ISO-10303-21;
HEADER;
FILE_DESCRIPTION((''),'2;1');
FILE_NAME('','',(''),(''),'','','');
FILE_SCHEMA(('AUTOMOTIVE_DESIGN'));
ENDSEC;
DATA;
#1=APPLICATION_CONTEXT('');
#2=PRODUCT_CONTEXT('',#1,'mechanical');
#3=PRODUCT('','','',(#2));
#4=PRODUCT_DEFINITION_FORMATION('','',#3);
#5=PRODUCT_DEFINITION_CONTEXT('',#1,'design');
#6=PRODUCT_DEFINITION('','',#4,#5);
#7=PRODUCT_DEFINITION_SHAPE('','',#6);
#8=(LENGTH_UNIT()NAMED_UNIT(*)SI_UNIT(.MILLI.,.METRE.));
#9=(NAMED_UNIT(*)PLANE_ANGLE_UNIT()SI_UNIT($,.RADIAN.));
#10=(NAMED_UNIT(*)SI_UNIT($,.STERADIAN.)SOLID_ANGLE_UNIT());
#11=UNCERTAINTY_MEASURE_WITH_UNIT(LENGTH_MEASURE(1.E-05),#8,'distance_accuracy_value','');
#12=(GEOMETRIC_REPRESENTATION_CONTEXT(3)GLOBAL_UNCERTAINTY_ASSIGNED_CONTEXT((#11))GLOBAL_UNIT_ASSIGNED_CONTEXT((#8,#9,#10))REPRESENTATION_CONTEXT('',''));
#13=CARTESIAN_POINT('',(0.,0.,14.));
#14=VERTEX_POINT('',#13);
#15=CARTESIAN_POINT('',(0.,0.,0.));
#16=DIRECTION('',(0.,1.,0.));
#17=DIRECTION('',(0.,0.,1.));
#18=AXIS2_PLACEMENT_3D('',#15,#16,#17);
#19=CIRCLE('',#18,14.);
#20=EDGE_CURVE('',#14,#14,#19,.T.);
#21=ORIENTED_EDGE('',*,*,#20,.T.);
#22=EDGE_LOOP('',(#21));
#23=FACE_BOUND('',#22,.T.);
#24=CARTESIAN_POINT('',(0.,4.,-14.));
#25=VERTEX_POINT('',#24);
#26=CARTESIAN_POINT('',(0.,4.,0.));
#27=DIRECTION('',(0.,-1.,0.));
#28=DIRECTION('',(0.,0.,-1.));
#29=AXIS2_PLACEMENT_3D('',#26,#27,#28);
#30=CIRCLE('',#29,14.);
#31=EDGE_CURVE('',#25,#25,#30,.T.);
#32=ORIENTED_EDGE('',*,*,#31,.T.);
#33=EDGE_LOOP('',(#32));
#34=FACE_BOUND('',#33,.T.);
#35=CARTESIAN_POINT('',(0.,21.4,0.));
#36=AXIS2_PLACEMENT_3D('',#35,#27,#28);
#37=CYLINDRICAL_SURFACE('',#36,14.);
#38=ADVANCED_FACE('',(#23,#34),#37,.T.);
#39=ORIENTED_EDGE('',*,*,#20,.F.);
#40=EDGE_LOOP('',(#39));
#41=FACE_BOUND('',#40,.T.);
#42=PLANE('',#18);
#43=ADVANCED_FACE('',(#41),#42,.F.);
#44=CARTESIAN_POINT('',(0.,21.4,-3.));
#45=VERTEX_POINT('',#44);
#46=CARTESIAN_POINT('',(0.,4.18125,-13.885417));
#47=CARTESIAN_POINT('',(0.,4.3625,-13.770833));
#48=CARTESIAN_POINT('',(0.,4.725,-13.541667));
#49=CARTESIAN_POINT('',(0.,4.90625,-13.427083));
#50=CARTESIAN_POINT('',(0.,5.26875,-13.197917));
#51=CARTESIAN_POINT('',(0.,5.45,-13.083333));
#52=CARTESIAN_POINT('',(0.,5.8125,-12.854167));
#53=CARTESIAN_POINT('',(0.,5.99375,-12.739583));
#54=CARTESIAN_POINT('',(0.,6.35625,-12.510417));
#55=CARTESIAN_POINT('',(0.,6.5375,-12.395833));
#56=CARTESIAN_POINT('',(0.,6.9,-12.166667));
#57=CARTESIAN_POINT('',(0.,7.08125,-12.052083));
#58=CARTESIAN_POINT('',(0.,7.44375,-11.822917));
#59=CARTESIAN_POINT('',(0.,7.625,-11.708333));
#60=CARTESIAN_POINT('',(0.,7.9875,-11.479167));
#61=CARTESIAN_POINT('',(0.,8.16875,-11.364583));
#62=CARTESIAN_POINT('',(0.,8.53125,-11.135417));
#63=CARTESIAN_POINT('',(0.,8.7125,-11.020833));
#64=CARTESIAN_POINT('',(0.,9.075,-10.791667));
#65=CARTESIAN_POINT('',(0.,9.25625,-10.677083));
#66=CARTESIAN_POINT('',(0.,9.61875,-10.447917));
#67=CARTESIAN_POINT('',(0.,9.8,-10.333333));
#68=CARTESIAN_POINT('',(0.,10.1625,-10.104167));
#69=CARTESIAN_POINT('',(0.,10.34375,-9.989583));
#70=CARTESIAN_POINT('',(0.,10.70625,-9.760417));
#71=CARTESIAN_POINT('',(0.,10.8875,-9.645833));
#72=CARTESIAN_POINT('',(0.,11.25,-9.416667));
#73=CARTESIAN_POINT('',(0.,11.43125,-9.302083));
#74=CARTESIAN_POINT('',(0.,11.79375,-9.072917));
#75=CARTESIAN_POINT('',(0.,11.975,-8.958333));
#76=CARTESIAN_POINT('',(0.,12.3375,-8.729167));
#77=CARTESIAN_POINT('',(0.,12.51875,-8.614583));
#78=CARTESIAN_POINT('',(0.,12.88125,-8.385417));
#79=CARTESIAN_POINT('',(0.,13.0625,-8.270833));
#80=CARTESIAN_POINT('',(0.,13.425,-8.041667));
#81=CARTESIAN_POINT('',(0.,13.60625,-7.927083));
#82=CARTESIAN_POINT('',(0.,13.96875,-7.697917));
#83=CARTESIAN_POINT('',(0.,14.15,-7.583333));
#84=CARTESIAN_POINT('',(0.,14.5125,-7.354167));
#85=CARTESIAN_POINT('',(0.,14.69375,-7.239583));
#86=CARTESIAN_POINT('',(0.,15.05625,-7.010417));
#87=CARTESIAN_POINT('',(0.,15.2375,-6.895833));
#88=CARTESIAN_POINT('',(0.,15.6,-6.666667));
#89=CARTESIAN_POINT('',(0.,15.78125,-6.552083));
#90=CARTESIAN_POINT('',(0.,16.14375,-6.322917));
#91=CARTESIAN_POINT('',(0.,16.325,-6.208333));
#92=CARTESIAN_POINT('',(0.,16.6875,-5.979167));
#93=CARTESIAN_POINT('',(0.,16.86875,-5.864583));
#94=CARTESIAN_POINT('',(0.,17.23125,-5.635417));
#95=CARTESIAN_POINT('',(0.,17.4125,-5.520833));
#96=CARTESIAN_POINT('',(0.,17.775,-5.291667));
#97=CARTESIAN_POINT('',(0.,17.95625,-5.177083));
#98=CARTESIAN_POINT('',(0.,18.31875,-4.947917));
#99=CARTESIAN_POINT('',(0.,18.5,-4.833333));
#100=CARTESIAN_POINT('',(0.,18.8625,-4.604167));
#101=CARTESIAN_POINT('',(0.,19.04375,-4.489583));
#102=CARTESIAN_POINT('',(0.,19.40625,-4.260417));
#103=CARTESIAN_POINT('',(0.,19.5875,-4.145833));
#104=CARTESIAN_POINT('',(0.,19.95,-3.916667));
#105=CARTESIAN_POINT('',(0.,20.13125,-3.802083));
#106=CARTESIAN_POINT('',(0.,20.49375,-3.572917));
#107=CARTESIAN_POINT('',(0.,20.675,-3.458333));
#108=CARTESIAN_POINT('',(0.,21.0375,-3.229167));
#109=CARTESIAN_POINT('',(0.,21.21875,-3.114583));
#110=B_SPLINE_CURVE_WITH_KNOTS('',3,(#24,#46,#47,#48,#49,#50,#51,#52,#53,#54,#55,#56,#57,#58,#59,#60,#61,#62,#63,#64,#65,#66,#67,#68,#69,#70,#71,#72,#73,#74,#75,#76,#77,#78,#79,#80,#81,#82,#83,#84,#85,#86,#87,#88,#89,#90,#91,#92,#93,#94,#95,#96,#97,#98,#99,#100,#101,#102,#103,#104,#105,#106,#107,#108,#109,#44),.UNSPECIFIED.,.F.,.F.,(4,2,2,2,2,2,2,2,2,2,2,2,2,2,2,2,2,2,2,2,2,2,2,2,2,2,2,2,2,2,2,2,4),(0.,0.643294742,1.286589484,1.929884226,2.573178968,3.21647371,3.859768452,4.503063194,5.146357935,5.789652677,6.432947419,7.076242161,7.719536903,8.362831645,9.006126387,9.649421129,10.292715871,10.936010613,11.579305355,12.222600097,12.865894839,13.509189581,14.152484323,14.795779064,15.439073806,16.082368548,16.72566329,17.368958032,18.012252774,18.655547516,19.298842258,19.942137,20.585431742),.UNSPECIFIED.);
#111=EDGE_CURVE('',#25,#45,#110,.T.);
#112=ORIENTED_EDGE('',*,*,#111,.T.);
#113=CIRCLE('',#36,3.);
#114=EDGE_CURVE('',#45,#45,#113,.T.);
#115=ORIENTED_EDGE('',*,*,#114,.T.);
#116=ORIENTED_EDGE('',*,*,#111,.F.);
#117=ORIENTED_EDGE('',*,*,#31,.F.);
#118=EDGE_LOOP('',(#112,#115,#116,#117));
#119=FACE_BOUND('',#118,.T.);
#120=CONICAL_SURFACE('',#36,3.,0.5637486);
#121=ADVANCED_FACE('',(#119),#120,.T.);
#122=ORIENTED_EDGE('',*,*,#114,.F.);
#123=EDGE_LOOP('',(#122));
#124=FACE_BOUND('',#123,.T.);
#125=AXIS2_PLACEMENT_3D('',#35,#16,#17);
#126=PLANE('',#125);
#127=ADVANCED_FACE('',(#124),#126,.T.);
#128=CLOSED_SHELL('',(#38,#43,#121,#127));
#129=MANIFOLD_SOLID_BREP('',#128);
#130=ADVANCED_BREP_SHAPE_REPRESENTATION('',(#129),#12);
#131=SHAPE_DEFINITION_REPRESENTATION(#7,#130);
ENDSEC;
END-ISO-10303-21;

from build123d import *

# Parameters (mm, degrees)
SKETCH_1_R      = 14
EXTRUDE_1_DEPTH = 21.4


with BuildPart() as part:
    # 草图1 → 凸台-拉伸1 (new body)
    with BuildSketch(Plane(origin=(0, 0, 0), x_dir=(1, 0, 0), z_dir=(0, 1, 0))):
        with Locations(Location((0, 0, 0), (0, 0, 270))):
            Circle(SKETCH_1_R)
    extrude(amount=EXTRUDE_1_DEPTH)

    # 草图2 → 切除-旋转1 (revolve, cut)
    with BuildSketch(Plane.XY, mode=Mode.PRIVATE) as cut_revolve_1_sk:
        Polygon((3, 21.4), (14, 21.4), (14, 4), align=None)
    revolve(cut_revolve_1_sk.sketch.rotate(Axis((0, 0, 0), (0, 1, 0)), 90), axis=Axis((0, 0, 0), (0, 1, 0)), mode=Mode.SUBTRACT)


solid = part.part
